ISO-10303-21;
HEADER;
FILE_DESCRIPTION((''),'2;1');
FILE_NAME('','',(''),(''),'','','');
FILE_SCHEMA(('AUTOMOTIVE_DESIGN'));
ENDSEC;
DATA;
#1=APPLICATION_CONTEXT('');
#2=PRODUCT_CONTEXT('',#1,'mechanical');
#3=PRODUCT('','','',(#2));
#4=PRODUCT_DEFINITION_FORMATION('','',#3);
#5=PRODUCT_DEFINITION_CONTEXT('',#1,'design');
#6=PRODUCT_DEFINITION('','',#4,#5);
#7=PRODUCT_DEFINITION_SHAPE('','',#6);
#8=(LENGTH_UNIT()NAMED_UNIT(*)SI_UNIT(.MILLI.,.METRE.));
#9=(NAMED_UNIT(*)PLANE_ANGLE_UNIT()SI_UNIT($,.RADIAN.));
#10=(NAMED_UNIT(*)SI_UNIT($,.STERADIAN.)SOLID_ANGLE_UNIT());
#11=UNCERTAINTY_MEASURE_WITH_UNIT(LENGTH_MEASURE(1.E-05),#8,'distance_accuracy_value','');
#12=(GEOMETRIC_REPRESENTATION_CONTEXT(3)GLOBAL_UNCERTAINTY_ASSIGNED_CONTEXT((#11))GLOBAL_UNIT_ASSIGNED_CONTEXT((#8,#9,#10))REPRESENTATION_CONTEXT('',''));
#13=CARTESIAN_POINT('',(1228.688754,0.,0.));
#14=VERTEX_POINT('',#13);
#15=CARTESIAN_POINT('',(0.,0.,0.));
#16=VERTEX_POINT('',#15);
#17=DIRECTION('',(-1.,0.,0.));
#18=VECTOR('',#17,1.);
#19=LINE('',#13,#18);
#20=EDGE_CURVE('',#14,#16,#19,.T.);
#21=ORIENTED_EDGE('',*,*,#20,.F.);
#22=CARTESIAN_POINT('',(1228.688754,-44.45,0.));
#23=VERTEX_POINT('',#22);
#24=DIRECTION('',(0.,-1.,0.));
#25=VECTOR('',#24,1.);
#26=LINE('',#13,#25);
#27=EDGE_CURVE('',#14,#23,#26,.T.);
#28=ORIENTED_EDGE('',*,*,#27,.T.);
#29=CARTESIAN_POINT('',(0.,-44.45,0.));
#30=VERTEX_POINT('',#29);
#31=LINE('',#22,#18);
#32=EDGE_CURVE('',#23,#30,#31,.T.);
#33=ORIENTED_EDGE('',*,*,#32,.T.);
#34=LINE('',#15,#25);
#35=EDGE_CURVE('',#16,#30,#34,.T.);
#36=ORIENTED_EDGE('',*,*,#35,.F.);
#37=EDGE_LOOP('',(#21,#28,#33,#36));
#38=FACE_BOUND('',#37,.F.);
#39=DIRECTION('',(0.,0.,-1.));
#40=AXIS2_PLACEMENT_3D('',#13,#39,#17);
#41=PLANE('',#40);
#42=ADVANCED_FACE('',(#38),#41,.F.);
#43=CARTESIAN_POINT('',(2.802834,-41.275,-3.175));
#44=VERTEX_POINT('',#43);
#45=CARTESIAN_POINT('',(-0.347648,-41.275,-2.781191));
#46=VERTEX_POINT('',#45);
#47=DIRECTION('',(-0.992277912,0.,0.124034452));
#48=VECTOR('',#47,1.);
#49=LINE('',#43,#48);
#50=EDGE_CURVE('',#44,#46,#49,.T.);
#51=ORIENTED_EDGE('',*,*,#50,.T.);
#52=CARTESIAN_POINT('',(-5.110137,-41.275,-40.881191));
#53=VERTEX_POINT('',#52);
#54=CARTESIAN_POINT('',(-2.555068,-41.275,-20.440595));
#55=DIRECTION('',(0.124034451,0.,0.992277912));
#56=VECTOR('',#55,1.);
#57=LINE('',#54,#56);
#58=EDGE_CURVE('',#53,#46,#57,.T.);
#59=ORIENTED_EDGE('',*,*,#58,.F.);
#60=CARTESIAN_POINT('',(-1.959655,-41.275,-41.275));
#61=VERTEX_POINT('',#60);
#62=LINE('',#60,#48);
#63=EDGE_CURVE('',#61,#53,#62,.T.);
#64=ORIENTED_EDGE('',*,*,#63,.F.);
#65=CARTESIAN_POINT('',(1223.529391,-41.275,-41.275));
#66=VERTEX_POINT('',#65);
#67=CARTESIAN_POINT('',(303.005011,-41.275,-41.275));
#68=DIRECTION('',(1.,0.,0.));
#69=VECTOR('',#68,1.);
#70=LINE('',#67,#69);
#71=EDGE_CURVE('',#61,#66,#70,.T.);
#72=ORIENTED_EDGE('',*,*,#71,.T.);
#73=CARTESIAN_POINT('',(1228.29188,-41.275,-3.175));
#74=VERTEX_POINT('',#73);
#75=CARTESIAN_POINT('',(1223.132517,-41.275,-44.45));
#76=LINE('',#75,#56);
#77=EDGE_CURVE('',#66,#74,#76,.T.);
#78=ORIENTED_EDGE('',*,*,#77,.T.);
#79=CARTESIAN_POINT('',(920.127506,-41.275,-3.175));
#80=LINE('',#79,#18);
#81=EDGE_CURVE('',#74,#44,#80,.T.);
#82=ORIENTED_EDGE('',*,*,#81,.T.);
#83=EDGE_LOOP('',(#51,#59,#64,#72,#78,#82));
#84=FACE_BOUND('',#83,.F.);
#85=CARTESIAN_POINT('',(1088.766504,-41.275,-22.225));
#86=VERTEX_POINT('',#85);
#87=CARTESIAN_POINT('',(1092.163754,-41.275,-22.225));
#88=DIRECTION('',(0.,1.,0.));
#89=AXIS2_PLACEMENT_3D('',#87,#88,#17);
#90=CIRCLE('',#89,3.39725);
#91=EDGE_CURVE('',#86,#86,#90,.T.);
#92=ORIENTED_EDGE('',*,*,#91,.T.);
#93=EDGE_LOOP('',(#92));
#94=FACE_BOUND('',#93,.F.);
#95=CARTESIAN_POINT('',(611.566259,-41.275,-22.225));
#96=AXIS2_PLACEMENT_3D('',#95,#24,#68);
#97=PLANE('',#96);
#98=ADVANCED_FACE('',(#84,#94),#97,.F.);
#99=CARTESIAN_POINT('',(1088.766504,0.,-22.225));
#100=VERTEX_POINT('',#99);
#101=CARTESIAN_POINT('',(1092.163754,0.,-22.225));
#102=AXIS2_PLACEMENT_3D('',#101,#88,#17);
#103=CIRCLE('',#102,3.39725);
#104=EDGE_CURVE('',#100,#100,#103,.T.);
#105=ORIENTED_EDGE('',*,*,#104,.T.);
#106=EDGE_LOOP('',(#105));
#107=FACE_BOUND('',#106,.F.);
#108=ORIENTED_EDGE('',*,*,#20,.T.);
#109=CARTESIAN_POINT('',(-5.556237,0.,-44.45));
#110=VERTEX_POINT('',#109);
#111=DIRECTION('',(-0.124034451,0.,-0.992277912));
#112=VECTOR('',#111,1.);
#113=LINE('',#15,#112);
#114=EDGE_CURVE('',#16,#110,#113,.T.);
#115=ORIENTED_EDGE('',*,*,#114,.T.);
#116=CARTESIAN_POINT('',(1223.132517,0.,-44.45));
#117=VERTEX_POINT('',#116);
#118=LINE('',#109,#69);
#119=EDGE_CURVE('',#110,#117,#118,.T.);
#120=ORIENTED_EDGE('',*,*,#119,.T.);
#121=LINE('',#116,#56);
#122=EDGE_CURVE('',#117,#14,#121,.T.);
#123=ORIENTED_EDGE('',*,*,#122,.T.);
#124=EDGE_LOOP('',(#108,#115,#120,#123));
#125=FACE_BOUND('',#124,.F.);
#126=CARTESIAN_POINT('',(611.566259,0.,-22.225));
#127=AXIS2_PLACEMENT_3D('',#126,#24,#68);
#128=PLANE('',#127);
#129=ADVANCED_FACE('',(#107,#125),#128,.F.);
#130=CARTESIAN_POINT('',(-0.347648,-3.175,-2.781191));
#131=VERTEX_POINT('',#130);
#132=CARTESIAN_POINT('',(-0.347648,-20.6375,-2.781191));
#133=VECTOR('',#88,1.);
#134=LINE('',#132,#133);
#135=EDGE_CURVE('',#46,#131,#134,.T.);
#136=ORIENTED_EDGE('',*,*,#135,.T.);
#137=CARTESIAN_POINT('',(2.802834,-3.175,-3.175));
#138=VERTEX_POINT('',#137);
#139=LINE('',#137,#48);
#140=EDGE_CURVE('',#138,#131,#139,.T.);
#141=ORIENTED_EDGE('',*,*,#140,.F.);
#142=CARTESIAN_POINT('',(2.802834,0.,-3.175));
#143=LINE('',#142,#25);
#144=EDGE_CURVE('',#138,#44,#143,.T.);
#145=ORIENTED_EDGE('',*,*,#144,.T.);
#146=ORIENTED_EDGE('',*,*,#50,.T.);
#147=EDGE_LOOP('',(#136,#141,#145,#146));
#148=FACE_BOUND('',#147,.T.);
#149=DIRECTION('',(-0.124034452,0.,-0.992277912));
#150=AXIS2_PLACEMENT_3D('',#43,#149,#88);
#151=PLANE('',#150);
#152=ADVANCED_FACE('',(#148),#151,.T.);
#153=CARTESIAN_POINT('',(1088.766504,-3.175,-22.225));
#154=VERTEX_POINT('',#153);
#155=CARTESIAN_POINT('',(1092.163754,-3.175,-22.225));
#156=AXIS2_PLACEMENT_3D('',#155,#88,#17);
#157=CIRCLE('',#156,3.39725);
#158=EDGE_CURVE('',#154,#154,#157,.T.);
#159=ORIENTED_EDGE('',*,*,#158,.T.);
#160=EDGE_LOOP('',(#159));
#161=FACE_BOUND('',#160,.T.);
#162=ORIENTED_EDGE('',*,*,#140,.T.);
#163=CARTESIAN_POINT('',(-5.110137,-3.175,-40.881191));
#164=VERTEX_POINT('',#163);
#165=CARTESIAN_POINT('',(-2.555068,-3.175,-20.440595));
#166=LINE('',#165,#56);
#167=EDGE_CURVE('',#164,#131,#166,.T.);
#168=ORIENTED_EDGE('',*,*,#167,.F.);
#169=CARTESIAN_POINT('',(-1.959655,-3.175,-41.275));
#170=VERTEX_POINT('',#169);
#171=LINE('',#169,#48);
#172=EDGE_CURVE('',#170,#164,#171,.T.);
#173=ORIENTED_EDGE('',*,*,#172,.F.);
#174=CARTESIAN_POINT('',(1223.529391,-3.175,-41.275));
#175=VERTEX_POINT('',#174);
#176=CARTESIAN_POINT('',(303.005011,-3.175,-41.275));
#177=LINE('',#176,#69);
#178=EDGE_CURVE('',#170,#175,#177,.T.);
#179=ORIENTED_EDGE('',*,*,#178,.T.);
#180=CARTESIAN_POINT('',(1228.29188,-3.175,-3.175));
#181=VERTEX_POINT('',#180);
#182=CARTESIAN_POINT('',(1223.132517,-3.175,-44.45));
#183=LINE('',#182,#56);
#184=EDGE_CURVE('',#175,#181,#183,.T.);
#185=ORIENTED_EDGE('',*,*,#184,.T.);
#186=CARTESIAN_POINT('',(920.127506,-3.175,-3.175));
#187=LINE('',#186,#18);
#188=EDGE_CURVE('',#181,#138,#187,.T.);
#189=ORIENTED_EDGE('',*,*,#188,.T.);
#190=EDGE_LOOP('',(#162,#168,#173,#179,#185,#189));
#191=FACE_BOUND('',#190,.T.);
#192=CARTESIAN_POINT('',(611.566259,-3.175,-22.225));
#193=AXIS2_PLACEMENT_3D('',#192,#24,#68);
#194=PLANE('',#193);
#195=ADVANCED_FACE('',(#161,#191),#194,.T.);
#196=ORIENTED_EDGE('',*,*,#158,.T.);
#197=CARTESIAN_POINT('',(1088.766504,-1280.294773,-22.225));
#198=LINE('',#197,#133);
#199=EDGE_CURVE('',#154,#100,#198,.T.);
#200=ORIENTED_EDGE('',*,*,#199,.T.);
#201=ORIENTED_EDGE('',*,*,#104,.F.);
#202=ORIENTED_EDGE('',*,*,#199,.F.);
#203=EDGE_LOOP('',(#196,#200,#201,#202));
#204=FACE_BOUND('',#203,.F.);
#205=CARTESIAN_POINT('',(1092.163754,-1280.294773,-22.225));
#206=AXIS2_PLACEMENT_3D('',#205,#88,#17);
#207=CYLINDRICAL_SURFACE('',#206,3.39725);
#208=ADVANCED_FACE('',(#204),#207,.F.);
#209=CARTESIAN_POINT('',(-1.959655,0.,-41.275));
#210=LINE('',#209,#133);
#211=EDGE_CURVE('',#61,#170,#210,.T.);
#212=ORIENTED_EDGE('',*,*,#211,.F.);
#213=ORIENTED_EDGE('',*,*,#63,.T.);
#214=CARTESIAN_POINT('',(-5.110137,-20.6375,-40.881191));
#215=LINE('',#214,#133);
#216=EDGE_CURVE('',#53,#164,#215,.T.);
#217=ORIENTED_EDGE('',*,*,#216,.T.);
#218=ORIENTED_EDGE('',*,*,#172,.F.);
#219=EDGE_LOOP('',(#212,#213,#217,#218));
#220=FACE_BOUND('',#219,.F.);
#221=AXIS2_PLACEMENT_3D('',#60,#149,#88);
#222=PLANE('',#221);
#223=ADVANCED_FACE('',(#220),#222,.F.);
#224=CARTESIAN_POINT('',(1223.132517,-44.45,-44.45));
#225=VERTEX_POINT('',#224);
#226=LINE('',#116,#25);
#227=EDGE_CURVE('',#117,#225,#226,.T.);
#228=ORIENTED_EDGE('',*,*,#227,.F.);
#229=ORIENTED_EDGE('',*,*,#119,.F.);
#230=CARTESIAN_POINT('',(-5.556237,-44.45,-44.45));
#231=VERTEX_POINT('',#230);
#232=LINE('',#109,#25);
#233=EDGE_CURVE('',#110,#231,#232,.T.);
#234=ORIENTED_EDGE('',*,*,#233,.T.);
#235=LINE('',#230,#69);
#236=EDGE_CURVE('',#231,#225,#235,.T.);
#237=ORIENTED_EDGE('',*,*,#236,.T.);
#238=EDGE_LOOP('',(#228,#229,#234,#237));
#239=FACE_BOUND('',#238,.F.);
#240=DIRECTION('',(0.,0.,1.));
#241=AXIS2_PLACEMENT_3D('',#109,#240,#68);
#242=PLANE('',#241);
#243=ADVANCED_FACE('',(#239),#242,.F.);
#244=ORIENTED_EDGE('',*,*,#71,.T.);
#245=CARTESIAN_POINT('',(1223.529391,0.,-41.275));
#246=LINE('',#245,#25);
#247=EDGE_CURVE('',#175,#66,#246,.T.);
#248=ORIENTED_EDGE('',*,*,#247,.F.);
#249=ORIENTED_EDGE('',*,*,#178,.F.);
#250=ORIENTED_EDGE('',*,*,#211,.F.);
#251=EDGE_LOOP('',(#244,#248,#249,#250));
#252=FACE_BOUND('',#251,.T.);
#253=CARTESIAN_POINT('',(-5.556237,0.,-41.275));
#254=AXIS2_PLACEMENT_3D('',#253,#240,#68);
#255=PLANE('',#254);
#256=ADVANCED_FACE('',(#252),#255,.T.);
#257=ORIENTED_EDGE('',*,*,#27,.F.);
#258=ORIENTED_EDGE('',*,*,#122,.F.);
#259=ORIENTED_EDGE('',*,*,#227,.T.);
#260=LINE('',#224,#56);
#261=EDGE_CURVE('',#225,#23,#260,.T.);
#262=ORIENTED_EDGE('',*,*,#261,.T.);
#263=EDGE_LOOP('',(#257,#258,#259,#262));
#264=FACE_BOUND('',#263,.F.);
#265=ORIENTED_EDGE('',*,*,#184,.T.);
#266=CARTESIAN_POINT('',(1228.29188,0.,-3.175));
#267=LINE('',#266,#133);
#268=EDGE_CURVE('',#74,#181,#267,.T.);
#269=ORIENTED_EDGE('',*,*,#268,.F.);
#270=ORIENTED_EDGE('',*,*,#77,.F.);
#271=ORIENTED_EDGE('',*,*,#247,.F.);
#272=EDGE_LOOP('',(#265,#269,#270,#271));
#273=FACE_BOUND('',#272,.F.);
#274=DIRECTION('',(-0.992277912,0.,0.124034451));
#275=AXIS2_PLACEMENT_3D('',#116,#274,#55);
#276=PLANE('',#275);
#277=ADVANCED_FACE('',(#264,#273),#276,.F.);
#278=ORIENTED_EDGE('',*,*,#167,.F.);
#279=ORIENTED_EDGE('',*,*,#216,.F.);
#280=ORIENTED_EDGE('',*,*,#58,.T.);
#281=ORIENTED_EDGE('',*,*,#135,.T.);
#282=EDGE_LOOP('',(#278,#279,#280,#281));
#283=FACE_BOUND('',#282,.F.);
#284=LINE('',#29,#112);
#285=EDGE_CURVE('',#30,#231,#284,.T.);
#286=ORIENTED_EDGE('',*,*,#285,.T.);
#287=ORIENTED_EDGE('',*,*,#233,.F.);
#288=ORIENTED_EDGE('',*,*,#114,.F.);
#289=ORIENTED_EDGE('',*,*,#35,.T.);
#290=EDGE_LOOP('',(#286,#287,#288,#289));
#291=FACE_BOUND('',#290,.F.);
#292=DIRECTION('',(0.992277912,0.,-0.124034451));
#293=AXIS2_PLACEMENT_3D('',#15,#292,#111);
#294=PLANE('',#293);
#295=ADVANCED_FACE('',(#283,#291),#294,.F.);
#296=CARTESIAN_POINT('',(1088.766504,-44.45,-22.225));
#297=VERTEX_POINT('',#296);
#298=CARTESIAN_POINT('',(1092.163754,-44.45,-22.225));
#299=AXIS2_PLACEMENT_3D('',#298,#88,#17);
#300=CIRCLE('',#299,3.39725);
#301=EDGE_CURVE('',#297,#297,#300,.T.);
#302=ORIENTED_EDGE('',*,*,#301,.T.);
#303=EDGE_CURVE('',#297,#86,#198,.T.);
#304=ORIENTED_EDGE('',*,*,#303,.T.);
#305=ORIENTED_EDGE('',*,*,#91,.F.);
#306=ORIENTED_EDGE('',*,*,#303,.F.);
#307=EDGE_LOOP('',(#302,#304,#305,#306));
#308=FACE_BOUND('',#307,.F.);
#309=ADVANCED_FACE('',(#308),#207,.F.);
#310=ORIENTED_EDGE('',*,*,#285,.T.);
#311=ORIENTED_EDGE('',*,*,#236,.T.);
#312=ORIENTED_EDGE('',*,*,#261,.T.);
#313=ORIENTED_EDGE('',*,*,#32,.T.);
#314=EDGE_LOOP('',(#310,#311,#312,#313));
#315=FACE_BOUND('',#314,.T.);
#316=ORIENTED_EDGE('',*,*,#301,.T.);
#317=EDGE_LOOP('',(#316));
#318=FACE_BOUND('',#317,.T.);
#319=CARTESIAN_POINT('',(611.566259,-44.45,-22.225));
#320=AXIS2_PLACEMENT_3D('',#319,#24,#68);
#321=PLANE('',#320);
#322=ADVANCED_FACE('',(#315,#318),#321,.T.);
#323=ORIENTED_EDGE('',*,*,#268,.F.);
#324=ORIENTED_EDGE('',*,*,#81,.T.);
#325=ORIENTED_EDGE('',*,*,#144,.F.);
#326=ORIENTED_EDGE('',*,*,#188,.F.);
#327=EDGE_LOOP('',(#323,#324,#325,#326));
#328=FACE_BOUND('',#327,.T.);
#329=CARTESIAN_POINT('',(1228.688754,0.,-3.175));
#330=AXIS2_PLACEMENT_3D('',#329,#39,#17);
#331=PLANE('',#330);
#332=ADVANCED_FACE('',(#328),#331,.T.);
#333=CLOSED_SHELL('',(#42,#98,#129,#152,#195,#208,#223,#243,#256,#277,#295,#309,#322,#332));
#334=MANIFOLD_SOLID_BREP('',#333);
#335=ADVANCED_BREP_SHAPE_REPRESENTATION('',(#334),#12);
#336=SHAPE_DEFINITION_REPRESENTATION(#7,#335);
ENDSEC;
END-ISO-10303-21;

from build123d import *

# Parameters (mm, degrees)
F1_DEPTH = 44.45
F2_T     = -3.175
F3_W     = 38.1
F3_H     = 38.3965011568
F4_DEPTH = 8.689331367
F6_D     = 6.7945


with BuildPart() as f1:
    # F0 (on Front) → F1 (new body)
    with BuildSketch(Plane.XZ):
        Polygon((-5.5562371184, -44.45), (17.9743102048, -44.45), (1223.1325170816, -44.45), (1228.6887542, 0), (0, 0), align=None)
    extrude(amount=F1_DEPTH)

    # F2
    f2_openings = [f1.faces().sort_by_distance(p)[0] for p in [
        (1225.910636, -22.225, -22.225),
    ]]
    offset(amount=F2_T, openings=f2_openings)

    # F3 (on face) → F4 (cut, through all)
    with BuildSketch(Plane(origin=(3.1504823709, 0, -0.3938093834), x_dir=(0, 1, 0), z_dir=(0.9922779121, 0, -0.1240344515))):
        with Locations((-22.225, -22.0010849282)):
            Rectangle(F3_W, F3_H)
    extrude(amount=-F4_DEPTH, mode=Mode.SUBTRACT)

    # F6 (through all)
    with Locations(Plane.XZ.offset(44.45)):
        with Locations((1092.1637542, -22.225)):
            Hole(F6_D / 2)


solid = f1.part
